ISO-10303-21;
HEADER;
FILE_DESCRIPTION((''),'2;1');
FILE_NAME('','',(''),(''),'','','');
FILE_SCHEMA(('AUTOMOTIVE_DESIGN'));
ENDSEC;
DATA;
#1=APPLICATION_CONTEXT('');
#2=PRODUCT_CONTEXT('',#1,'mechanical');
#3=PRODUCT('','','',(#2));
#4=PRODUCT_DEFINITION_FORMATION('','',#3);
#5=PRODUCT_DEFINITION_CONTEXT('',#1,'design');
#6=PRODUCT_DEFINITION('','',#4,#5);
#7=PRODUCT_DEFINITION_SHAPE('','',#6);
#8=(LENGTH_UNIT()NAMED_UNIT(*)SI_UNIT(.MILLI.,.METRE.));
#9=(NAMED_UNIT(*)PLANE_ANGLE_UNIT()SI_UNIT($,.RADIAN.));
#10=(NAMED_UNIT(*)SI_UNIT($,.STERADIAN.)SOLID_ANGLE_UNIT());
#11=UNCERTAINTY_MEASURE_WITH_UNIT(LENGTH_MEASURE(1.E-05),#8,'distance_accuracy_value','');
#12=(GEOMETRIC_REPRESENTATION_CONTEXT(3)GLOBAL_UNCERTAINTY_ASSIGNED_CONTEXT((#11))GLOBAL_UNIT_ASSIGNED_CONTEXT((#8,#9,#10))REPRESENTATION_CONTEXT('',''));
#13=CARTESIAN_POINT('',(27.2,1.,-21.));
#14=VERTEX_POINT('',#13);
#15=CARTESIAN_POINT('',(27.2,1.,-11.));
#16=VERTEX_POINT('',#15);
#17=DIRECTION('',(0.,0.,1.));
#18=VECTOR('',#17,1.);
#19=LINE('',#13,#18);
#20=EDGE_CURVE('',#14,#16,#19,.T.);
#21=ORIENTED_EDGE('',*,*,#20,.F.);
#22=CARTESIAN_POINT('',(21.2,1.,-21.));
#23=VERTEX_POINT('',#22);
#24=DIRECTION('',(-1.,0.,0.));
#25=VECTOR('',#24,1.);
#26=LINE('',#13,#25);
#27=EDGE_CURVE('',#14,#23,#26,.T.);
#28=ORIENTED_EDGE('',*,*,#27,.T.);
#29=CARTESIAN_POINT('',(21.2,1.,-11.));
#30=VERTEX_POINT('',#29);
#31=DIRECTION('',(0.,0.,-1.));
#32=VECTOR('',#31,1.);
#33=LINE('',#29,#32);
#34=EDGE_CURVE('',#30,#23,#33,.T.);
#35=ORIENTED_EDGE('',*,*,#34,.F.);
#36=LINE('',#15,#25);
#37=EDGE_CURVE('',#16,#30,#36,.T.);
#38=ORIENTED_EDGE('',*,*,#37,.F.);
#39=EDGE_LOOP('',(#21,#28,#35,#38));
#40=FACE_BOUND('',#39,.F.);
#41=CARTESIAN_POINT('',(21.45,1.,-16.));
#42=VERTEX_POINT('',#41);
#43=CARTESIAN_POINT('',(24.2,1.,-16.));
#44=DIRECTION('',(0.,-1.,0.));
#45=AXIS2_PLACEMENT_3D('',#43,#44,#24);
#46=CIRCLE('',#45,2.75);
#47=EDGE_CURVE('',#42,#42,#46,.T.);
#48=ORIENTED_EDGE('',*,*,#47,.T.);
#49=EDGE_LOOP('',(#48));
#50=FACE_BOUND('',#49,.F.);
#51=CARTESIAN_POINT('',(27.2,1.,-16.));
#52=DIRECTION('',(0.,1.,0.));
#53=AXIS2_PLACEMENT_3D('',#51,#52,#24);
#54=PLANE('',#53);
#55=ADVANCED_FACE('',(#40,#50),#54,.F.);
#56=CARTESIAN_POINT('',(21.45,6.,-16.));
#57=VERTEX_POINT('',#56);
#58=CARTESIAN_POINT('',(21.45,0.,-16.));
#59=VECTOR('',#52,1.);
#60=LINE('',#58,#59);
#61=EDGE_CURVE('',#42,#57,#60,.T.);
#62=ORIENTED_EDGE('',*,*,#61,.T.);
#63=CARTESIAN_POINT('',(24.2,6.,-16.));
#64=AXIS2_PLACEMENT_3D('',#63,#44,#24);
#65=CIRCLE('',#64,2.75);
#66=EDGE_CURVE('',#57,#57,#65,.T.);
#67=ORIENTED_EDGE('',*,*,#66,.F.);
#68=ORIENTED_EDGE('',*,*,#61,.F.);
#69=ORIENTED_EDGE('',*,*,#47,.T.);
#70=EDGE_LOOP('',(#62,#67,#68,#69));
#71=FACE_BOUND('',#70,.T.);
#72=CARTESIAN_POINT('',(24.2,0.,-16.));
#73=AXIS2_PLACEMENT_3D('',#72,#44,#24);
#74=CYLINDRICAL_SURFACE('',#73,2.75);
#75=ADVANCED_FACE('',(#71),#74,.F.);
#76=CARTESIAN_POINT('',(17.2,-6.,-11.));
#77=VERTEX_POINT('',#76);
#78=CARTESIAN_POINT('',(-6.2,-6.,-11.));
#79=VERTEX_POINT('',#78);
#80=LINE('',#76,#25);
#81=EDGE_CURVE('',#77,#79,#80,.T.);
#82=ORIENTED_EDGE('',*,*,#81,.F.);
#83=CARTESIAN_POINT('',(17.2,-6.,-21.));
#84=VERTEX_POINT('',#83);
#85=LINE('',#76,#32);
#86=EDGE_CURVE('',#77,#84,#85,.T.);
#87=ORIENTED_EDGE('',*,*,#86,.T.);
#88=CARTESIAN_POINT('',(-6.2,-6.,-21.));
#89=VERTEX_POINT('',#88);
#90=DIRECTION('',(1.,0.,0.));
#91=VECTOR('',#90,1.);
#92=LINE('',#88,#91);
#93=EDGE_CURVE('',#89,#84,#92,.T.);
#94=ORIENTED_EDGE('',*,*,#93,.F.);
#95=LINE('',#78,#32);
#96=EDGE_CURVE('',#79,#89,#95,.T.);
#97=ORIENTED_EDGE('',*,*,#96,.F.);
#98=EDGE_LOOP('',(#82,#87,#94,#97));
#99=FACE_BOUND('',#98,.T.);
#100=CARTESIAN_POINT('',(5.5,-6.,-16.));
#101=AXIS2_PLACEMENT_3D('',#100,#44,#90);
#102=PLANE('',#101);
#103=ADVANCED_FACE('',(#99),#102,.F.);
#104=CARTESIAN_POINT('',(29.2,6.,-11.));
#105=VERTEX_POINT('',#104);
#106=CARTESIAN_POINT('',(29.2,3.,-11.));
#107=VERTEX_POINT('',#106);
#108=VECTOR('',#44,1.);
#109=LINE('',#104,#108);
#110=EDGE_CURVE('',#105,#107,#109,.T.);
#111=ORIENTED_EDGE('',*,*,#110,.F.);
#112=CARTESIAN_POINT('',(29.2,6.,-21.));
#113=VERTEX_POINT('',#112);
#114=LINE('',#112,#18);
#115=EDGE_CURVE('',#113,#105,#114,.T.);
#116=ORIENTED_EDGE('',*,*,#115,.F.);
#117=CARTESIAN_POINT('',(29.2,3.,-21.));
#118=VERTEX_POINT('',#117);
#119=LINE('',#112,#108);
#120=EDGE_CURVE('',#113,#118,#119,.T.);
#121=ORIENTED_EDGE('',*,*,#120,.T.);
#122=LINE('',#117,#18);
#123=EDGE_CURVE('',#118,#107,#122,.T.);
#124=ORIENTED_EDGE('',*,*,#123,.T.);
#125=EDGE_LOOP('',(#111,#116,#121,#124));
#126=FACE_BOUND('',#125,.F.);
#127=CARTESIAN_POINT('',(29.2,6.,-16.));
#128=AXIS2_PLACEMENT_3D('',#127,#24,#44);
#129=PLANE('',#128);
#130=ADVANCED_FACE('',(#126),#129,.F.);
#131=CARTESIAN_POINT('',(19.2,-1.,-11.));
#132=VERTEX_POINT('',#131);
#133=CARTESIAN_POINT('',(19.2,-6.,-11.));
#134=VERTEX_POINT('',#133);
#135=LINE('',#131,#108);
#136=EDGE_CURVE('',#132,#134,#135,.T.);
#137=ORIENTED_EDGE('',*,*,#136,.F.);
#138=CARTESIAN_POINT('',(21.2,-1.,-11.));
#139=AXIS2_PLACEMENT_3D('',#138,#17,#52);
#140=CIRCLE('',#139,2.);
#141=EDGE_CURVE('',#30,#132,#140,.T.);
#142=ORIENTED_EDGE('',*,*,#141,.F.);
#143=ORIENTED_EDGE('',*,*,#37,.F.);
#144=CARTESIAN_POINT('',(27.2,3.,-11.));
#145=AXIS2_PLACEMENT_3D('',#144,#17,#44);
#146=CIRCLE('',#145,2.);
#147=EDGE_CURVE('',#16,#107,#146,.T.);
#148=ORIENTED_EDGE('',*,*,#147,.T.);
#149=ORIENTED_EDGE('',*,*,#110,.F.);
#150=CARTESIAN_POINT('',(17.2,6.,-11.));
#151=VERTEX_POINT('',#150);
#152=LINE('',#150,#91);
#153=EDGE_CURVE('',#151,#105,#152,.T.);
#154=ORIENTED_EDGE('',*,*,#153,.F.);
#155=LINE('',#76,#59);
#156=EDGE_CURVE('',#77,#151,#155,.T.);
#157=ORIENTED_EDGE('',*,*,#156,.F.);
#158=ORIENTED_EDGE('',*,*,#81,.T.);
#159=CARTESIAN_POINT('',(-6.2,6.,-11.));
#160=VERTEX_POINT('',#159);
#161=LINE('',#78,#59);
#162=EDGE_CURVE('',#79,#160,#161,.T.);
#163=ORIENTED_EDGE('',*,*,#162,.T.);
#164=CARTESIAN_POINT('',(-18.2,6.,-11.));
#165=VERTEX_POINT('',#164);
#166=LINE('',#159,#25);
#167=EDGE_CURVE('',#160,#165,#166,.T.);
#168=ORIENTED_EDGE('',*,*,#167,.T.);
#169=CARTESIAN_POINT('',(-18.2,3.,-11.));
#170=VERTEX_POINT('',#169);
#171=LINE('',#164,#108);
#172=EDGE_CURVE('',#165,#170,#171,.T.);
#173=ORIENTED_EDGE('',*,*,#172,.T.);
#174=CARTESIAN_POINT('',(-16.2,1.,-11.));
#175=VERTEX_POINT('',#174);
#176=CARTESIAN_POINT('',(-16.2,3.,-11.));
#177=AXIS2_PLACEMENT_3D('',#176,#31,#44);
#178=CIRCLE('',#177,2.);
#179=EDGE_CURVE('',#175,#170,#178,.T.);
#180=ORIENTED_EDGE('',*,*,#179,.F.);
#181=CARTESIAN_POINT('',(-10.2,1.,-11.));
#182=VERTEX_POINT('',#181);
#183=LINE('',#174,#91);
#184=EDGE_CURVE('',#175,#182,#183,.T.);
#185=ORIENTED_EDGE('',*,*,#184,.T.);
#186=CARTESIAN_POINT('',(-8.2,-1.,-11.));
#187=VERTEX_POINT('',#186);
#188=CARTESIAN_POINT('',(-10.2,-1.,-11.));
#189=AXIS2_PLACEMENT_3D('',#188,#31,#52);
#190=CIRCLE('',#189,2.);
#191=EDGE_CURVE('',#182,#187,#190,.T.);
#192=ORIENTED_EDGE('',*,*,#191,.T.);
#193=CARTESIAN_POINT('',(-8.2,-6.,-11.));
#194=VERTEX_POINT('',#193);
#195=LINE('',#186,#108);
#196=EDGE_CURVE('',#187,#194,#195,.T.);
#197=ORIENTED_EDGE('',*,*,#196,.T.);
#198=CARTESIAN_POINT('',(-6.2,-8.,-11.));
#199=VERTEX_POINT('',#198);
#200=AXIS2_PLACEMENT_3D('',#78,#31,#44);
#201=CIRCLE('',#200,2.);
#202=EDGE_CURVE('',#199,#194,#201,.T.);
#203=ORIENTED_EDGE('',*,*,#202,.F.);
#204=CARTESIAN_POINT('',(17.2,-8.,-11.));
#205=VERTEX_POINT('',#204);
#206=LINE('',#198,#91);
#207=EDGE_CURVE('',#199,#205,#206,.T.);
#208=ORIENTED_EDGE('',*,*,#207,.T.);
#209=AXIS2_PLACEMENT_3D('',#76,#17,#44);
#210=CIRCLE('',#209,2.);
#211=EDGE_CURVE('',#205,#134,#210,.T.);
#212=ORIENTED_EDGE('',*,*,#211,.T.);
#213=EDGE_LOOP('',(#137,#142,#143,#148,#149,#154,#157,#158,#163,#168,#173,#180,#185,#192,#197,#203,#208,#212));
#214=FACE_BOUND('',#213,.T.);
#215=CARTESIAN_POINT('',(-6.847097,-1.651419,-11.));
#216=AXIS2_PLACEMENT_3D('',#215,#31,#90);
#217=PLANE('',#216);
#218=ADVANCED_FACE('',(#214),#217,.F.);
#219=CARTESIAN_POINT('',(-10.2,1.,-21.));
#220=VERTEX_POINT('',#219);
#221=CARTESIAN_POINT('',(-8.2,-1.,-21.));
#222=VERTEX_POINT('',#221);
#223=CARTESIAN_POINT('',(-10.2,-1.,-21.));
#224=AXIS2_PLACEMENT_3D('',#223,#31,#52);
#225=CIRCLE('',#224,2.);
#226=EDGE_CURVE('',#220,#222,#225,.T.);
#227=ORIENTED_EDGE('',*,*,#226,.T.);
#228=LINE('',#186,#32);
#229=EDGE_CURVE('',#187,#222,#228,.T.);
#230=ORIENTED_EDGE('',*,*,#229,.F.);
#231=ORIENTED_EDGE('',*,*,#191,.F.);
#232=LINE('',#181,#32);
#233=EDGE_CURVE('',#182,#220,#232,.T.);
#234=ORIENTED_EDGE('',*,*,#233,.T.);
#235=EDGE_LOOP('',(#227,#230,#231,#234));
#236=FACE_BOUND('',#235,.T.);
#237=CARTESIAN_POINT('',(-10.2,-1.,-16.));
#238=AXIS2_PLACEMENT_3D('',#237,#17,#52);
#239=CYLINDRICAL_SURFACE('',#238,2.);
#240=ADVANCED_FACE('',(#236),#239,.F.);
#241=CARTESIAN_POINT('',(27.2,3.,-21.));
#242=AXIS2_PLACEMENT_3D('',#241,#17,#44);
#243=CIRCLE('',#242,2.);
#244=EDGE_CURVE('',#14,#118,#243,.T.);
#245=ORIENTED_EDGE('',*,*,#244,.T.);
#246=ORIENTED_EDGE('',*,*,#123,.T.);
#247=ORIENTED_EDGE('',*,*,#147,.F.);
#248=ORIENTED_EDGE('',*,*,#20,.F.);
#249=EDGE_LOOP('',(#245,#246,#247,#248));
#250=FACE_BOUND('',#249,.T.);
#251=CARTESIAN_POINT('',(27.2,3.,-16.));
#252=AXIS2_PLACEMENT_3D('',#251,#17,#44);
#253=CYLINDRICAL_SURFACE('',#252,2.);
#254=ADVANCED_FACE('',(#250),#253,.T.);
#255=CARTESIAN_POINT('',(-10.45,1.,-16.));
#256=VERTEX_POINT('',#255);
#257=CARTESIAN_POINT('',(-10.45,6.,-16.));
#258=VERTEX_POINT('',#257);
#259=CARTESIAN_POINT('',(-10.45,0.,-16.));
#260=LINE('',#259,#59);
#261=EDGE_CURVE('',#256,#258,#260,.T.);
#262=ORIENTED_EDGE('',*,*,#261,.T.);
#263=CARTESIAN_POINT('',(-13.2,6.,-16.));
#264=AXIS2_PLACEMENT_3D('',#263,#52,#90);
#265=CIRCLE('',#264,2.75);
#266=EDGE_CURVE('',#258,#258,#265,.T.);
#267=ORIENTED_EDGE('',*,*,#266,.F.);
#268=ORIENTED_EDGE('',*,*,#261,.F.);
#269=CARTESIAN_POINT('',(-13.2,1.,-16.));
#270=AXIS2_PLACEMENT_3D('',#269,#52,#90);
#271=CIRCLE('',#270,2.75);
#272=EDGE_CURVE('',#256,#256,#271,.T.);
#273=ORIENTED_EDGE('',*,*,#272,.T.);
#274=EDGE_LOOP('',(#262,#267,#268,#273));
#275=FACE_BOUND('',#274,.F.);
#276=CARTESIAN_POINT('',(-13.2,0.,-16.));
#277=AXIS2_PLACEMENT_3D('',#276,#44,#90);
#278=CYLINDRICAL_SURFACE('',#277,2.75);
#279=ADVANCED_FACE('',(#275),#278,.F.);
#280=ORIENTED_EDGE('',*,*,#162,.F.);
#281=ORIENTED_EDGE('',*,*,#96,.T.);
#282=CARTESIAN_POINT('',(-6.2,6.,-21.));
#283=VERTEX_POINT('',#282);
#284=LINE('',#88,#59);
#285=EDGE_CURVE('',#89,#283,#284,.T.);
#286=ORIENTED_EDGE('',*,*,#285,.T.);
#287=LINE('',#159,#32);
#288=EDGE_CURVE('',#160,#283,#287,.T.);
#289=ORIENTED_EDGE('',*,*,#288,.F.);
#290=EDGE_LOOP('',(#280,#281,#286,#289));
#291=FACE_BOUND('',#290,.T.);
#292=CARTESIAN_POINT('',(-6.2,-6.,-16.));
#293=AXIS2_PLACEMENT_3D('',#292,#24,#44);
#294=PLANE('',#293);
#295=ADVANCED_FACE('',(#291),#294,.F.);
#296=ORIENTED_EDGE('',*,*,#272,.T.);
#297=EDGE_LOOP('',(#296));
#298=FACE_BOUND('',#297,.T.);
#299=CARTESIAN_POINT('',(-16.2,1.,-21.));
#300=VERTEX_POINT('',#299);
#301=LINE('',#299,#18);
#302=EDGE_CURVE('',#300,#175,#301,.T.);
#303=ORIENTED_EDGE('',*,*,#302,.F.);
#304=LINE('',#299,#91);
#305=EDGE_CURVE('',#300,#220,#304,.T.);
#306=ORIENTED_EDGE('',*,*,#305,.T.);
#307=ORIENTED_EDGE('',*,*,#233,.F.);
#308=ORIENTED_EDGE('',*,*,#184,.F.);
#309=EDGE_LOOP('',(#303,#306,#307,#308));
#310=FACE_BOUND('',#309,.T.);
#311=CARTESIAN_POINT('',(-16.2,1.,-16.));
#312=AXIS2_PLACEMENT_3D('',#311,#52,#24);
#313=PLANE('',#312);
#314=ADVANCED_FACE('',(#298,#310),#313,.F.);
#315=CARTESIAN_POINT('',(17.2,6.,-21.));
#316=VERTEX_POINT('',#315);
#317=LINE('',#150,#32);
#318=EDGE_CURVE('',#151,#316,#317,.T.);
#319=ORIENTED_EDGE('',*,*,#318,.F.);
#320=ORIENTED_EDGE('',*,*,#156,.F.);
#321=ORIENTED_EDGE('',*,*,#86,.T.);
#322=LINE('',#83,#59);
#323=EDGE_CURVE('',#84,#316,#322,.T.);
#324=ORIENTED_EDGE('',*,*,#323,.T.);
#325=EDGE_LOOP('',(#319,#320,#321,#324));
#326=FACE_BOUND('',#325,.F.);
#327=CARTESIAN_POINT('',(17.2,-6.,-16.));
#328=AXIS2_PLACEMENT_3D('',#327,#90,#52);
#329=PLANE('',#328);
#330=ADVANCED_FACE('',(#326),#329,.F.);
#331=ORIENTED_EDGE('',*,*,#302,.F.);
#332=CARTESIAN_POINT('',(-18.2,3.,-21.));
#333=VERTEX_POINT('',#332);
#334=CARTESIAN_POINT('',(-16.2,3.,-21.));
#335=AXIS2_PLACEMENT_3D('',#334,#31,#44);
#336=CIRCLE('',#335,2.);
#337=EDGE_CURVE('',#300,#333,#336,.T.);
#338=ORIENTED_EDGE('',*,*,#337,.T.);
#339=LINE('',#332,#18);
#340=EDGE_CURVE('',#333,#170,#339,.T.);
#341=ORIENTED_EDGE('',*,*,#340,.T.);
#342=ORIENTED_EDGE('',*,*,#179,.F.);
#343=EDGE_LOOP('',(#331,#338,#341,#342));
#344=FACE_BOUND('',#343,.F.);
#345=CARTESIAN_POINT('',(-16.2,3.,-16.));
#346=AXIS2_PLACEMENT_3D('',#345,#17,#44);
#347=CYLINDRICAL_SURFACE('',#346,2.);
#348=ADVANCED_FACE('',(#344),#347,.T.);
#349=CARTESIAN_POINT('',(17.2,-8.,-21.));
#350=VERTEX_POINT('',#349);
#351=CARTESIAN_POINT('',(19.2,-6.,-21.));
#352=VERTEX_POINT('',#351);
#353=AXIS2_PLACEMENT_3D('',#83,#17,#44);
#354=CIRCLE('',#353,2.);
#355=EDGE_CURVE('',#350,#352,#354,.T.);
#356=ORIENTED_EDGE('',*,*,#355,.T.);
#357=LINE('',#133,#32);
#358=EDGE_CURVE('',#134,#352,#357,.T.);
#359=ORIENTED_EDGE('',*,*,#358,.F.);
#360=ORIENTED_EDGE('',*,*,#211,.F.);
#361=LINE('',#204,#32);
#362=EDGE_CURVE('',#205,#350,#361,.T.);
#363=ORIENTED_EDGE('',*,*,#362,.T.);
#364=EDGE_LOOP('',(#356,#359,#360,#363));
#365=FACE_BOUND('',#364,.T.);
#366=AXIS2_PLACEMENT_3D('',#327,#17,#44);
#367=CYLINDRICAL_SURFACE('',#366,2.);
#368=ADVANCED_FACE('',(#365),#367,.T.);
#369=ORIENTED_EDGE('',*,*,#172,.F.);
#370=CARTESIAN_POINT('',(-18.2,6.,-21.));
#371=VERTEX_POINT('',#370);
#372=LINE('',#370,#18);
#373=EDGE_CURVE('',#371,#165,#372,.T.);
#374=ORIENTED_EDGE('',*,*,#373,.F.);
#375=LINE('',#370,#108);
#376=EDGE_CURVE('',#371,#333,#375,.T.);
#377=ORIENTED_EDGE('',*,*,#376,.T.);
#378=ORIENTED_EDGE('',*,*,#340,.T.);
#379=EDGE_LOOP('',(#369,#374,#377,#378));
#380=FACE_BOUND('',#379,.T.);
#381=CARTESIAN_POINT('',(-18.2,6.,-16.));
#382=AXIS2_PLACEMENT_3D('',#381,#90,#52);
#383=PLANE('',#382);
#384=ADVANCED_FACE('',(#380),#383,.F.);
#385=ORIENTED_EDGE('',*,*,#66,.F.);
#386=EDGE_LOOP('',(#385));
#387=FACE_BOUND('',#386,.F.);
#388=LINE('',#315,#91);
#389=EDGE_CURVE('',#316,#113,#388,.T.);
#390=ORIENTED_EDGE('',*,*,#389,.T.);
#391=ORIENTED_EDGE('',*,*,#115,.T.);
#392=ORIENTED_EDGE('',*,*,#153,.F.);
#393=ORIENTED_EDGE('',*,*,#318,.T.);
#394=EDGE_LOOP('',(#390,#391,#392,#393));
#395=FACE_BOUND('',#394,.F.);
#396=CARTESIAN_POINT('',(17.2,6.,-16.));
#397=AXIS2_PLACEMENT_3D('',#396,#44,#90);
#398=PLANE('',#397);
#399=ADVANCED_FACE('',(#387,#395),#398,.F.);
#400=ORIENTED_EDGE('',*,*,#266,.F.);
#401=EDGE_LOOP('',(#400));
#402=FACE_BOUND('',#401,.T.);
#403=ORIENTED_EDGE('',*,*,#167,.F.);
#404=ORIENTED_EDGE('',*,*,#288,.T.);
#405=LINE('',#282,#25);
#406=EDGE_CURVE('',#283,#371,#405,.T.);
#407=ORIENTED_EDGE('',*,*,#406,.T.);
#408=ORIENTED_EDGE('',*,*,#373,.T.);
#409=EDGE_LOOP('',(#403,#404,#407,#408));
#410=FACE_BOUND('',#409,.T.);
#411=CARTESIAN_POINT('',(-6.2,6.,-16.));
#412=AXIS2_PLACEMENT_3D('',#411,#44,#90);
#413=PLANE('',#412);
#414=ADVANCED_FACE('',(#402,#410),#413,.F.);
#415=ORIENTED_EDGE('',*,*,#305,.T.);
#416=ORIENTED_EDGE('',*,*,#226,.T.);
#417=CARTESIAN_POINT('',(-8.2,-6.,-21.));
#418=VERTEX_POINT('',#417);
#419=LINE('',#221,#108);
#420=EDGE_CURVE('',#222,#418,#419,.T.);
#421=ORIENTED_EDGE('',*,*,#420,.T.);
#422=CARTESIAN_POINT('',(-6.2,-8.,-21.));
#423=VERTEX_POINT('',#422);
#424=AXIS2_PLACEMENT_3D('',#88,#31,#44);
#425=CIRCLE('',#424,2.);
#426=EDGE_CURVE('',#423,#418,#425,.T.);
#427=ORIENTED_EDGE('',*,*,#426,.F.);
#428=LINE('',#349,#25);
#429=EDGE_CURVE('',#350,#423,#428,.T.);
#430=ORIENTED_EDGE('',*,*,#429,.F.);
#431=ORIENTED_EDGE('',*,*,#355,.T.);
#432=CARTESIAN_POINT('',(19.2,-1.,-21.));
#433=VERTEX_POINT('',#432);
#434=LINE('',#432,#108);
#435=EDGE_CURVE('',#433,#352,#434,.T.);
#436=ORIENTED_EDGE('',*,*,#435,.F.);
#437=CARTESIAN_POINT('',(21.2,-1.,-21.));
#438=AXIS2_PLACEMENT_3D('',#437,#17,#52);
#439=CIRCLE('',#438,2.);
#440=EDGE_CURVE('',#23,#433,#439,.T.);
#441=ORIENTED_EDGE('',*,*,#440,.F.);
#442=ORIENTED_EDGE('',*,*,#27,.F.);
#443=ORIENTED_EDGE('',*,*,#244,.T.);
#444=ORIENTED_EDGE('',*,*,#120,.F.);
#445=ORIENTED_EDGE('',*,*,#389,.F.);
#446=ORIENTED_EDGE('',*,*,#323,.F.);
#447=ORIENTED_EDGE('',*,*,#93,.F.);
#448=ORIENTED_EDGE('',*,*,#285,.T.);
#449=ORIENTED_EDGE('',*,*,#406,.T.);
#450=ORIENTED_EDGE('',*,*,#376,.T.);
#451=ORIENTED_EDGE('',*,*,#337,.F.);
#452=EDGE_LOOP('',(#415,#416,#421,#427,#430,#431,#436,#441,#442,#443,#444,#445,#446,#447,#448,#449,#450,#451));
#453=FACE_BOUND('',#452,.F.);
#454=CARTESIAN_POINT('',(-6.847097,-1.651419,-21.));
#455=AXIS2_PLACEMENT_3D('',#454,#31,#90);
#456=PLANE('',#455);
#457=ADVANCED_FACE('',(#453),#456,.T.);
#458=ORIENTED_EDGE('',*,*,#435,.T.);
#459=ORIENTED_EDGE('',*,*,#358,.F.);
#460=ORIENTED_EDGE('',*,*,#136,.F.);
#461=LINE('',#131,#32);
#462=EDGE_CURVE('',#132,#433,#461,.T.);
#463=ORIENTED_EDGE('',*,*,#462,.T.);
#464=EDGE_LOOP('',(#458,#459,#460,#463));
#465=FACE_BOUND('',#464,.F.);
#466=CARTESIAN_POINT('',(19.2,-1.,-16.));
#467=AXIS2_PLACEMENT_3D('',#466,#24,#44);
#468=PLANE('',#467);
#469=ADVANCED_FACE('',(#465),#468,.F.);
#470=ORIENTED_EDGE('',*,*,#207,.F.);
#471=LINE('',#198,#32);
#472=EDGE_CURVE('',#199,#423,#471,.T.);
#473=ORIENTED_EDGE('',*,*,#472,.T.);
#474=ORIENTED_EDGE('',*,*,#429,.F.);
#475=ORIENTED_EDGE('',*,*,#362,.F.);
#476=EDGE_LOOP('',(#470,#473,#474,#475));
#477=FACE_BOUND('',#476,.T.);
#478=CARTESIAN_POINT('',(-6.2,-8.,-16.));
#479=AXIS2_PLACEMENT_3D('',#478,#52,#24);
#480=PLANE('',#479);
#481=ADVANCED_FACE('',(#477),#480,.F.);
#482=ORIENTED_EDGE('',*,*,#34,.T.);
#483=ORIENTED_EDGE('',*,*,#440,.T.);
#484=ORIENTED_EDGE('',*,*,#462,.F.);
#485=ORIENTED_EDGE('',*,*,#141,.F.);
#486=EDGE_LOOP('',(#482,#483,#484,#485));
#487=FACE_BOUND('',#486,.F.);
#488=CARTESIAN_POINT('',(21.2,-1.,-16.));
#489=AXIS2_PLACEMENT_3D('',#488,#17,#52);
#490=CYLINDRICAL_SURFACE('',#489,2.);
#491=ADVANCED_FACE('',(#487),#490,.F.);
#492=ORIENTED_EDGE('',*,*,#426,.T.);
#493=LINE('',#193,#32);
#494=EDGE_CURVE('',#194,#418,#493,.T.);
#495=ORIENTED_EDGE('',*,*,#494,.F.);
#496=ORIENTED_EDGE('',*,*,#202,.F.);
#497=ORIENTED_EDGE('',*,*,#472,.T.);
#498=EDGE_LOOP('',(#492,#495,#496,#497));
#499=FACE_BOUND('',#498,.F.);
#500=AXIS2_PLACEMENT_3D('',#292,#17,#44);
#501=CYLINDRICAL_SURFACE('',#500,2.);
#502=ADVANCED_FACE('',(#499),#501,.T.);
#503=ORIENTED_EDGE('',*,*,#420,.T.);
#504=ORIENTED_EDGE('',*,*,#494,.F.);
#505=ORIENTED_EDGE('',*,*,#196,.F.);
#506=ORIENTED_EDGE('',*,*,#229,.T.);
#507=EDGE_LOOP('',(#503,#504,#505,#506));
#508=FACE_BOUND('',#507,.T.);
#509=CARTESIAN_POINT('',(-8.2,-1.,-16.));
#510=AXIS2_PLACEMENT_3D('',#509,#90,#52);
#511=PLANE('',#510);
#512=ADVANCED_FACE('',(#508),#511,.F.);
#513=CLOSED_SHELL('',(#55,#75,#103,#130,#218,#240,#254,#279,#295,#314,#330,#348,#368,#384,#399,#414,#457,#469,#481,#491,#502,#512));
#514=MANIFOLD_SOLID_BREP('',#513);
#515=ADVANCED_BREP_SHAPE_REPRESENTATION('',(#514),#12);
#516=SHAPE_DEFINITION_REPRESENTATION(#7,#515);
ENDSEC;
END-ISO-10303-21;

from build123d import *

# Parameters (mm, degrees)
PAD053_DEPTH            = 5
SKETCH104_R             = 2.75
POCKET052_DEPTH         = 8.001
POCKET052_DEPTH_BACK    = 6.001
BODY032_PLACEMENT_ANGLE = 180


with BuildPart() as part:
    # Sketch103 → Pad053 (new body, symmetric)
    with BuildSketch(Plane(origin=(6, -6, 0), x_dir=(1, 0, 0), z_dir=(0, 0, 1))):
        with BuildLine():
            Line((-21.7, 5), (-15.7, 5))
            ThreePointArc((-15.7, 5), (-14.2857864376, 5.5857864376), (-13.7, 7))
            Line((-13.7, 7), (-13.7, 12))
            ThreePointArc((-11.7, 14), (-13.1142135624, 13.4142135624), (-13.7, 12))
            Line((-11.7, 14), (0, 14))
            Line((0, 14), (0, 12))
            Line((0, 12), (-11.7, 12))
            Line((-11.7, 12), (-11.7, 0))
            Line((-11.7, 0), (-23.7, 0))
            Line((-23.7, 0), (-23.7, 3))
            ThreePointArc((-21.7, 5), (-23.1142135624, 4.4142135624), (-23.7, 3))
        make_face()
    extrude(amount=PAD053_DEPTH, both=True)

    # Sketch104 → Pocket052 (cut, two sides)
    with BuildSketch(Plane.XZ) as pocket052_sk:
        with Locations((-12.7, 0)):
            Circle(SKETCH104_R)
    extrude(amount=-POCKET052_DEPTH, mode=Mode.SUBTRACT)
    extrude(pocket052_sk.sketch, amount=POCKET052_DEPTH_BACK, mode=Mode.SUBTRACT)

    # Mirrored024: part across Sketch103 V_Axis


with BuildPart() as part_1:
    add(part.part)
    add(part.part.mirror(Plane(origin=(6, -6, 0), x_dir=(0, 0, 1), z_dir=(1, 0, 0))))


with BuildPart() as part_2:
    # Body032 placement: moved
    add(part_1.part.moved(Location((11.5, 0, -16))).rotate(Axis((11.5, 0, -16), (0, 0, 1)), BODY032_PLACEMENT_ANGLE))


solid = part_2.part
